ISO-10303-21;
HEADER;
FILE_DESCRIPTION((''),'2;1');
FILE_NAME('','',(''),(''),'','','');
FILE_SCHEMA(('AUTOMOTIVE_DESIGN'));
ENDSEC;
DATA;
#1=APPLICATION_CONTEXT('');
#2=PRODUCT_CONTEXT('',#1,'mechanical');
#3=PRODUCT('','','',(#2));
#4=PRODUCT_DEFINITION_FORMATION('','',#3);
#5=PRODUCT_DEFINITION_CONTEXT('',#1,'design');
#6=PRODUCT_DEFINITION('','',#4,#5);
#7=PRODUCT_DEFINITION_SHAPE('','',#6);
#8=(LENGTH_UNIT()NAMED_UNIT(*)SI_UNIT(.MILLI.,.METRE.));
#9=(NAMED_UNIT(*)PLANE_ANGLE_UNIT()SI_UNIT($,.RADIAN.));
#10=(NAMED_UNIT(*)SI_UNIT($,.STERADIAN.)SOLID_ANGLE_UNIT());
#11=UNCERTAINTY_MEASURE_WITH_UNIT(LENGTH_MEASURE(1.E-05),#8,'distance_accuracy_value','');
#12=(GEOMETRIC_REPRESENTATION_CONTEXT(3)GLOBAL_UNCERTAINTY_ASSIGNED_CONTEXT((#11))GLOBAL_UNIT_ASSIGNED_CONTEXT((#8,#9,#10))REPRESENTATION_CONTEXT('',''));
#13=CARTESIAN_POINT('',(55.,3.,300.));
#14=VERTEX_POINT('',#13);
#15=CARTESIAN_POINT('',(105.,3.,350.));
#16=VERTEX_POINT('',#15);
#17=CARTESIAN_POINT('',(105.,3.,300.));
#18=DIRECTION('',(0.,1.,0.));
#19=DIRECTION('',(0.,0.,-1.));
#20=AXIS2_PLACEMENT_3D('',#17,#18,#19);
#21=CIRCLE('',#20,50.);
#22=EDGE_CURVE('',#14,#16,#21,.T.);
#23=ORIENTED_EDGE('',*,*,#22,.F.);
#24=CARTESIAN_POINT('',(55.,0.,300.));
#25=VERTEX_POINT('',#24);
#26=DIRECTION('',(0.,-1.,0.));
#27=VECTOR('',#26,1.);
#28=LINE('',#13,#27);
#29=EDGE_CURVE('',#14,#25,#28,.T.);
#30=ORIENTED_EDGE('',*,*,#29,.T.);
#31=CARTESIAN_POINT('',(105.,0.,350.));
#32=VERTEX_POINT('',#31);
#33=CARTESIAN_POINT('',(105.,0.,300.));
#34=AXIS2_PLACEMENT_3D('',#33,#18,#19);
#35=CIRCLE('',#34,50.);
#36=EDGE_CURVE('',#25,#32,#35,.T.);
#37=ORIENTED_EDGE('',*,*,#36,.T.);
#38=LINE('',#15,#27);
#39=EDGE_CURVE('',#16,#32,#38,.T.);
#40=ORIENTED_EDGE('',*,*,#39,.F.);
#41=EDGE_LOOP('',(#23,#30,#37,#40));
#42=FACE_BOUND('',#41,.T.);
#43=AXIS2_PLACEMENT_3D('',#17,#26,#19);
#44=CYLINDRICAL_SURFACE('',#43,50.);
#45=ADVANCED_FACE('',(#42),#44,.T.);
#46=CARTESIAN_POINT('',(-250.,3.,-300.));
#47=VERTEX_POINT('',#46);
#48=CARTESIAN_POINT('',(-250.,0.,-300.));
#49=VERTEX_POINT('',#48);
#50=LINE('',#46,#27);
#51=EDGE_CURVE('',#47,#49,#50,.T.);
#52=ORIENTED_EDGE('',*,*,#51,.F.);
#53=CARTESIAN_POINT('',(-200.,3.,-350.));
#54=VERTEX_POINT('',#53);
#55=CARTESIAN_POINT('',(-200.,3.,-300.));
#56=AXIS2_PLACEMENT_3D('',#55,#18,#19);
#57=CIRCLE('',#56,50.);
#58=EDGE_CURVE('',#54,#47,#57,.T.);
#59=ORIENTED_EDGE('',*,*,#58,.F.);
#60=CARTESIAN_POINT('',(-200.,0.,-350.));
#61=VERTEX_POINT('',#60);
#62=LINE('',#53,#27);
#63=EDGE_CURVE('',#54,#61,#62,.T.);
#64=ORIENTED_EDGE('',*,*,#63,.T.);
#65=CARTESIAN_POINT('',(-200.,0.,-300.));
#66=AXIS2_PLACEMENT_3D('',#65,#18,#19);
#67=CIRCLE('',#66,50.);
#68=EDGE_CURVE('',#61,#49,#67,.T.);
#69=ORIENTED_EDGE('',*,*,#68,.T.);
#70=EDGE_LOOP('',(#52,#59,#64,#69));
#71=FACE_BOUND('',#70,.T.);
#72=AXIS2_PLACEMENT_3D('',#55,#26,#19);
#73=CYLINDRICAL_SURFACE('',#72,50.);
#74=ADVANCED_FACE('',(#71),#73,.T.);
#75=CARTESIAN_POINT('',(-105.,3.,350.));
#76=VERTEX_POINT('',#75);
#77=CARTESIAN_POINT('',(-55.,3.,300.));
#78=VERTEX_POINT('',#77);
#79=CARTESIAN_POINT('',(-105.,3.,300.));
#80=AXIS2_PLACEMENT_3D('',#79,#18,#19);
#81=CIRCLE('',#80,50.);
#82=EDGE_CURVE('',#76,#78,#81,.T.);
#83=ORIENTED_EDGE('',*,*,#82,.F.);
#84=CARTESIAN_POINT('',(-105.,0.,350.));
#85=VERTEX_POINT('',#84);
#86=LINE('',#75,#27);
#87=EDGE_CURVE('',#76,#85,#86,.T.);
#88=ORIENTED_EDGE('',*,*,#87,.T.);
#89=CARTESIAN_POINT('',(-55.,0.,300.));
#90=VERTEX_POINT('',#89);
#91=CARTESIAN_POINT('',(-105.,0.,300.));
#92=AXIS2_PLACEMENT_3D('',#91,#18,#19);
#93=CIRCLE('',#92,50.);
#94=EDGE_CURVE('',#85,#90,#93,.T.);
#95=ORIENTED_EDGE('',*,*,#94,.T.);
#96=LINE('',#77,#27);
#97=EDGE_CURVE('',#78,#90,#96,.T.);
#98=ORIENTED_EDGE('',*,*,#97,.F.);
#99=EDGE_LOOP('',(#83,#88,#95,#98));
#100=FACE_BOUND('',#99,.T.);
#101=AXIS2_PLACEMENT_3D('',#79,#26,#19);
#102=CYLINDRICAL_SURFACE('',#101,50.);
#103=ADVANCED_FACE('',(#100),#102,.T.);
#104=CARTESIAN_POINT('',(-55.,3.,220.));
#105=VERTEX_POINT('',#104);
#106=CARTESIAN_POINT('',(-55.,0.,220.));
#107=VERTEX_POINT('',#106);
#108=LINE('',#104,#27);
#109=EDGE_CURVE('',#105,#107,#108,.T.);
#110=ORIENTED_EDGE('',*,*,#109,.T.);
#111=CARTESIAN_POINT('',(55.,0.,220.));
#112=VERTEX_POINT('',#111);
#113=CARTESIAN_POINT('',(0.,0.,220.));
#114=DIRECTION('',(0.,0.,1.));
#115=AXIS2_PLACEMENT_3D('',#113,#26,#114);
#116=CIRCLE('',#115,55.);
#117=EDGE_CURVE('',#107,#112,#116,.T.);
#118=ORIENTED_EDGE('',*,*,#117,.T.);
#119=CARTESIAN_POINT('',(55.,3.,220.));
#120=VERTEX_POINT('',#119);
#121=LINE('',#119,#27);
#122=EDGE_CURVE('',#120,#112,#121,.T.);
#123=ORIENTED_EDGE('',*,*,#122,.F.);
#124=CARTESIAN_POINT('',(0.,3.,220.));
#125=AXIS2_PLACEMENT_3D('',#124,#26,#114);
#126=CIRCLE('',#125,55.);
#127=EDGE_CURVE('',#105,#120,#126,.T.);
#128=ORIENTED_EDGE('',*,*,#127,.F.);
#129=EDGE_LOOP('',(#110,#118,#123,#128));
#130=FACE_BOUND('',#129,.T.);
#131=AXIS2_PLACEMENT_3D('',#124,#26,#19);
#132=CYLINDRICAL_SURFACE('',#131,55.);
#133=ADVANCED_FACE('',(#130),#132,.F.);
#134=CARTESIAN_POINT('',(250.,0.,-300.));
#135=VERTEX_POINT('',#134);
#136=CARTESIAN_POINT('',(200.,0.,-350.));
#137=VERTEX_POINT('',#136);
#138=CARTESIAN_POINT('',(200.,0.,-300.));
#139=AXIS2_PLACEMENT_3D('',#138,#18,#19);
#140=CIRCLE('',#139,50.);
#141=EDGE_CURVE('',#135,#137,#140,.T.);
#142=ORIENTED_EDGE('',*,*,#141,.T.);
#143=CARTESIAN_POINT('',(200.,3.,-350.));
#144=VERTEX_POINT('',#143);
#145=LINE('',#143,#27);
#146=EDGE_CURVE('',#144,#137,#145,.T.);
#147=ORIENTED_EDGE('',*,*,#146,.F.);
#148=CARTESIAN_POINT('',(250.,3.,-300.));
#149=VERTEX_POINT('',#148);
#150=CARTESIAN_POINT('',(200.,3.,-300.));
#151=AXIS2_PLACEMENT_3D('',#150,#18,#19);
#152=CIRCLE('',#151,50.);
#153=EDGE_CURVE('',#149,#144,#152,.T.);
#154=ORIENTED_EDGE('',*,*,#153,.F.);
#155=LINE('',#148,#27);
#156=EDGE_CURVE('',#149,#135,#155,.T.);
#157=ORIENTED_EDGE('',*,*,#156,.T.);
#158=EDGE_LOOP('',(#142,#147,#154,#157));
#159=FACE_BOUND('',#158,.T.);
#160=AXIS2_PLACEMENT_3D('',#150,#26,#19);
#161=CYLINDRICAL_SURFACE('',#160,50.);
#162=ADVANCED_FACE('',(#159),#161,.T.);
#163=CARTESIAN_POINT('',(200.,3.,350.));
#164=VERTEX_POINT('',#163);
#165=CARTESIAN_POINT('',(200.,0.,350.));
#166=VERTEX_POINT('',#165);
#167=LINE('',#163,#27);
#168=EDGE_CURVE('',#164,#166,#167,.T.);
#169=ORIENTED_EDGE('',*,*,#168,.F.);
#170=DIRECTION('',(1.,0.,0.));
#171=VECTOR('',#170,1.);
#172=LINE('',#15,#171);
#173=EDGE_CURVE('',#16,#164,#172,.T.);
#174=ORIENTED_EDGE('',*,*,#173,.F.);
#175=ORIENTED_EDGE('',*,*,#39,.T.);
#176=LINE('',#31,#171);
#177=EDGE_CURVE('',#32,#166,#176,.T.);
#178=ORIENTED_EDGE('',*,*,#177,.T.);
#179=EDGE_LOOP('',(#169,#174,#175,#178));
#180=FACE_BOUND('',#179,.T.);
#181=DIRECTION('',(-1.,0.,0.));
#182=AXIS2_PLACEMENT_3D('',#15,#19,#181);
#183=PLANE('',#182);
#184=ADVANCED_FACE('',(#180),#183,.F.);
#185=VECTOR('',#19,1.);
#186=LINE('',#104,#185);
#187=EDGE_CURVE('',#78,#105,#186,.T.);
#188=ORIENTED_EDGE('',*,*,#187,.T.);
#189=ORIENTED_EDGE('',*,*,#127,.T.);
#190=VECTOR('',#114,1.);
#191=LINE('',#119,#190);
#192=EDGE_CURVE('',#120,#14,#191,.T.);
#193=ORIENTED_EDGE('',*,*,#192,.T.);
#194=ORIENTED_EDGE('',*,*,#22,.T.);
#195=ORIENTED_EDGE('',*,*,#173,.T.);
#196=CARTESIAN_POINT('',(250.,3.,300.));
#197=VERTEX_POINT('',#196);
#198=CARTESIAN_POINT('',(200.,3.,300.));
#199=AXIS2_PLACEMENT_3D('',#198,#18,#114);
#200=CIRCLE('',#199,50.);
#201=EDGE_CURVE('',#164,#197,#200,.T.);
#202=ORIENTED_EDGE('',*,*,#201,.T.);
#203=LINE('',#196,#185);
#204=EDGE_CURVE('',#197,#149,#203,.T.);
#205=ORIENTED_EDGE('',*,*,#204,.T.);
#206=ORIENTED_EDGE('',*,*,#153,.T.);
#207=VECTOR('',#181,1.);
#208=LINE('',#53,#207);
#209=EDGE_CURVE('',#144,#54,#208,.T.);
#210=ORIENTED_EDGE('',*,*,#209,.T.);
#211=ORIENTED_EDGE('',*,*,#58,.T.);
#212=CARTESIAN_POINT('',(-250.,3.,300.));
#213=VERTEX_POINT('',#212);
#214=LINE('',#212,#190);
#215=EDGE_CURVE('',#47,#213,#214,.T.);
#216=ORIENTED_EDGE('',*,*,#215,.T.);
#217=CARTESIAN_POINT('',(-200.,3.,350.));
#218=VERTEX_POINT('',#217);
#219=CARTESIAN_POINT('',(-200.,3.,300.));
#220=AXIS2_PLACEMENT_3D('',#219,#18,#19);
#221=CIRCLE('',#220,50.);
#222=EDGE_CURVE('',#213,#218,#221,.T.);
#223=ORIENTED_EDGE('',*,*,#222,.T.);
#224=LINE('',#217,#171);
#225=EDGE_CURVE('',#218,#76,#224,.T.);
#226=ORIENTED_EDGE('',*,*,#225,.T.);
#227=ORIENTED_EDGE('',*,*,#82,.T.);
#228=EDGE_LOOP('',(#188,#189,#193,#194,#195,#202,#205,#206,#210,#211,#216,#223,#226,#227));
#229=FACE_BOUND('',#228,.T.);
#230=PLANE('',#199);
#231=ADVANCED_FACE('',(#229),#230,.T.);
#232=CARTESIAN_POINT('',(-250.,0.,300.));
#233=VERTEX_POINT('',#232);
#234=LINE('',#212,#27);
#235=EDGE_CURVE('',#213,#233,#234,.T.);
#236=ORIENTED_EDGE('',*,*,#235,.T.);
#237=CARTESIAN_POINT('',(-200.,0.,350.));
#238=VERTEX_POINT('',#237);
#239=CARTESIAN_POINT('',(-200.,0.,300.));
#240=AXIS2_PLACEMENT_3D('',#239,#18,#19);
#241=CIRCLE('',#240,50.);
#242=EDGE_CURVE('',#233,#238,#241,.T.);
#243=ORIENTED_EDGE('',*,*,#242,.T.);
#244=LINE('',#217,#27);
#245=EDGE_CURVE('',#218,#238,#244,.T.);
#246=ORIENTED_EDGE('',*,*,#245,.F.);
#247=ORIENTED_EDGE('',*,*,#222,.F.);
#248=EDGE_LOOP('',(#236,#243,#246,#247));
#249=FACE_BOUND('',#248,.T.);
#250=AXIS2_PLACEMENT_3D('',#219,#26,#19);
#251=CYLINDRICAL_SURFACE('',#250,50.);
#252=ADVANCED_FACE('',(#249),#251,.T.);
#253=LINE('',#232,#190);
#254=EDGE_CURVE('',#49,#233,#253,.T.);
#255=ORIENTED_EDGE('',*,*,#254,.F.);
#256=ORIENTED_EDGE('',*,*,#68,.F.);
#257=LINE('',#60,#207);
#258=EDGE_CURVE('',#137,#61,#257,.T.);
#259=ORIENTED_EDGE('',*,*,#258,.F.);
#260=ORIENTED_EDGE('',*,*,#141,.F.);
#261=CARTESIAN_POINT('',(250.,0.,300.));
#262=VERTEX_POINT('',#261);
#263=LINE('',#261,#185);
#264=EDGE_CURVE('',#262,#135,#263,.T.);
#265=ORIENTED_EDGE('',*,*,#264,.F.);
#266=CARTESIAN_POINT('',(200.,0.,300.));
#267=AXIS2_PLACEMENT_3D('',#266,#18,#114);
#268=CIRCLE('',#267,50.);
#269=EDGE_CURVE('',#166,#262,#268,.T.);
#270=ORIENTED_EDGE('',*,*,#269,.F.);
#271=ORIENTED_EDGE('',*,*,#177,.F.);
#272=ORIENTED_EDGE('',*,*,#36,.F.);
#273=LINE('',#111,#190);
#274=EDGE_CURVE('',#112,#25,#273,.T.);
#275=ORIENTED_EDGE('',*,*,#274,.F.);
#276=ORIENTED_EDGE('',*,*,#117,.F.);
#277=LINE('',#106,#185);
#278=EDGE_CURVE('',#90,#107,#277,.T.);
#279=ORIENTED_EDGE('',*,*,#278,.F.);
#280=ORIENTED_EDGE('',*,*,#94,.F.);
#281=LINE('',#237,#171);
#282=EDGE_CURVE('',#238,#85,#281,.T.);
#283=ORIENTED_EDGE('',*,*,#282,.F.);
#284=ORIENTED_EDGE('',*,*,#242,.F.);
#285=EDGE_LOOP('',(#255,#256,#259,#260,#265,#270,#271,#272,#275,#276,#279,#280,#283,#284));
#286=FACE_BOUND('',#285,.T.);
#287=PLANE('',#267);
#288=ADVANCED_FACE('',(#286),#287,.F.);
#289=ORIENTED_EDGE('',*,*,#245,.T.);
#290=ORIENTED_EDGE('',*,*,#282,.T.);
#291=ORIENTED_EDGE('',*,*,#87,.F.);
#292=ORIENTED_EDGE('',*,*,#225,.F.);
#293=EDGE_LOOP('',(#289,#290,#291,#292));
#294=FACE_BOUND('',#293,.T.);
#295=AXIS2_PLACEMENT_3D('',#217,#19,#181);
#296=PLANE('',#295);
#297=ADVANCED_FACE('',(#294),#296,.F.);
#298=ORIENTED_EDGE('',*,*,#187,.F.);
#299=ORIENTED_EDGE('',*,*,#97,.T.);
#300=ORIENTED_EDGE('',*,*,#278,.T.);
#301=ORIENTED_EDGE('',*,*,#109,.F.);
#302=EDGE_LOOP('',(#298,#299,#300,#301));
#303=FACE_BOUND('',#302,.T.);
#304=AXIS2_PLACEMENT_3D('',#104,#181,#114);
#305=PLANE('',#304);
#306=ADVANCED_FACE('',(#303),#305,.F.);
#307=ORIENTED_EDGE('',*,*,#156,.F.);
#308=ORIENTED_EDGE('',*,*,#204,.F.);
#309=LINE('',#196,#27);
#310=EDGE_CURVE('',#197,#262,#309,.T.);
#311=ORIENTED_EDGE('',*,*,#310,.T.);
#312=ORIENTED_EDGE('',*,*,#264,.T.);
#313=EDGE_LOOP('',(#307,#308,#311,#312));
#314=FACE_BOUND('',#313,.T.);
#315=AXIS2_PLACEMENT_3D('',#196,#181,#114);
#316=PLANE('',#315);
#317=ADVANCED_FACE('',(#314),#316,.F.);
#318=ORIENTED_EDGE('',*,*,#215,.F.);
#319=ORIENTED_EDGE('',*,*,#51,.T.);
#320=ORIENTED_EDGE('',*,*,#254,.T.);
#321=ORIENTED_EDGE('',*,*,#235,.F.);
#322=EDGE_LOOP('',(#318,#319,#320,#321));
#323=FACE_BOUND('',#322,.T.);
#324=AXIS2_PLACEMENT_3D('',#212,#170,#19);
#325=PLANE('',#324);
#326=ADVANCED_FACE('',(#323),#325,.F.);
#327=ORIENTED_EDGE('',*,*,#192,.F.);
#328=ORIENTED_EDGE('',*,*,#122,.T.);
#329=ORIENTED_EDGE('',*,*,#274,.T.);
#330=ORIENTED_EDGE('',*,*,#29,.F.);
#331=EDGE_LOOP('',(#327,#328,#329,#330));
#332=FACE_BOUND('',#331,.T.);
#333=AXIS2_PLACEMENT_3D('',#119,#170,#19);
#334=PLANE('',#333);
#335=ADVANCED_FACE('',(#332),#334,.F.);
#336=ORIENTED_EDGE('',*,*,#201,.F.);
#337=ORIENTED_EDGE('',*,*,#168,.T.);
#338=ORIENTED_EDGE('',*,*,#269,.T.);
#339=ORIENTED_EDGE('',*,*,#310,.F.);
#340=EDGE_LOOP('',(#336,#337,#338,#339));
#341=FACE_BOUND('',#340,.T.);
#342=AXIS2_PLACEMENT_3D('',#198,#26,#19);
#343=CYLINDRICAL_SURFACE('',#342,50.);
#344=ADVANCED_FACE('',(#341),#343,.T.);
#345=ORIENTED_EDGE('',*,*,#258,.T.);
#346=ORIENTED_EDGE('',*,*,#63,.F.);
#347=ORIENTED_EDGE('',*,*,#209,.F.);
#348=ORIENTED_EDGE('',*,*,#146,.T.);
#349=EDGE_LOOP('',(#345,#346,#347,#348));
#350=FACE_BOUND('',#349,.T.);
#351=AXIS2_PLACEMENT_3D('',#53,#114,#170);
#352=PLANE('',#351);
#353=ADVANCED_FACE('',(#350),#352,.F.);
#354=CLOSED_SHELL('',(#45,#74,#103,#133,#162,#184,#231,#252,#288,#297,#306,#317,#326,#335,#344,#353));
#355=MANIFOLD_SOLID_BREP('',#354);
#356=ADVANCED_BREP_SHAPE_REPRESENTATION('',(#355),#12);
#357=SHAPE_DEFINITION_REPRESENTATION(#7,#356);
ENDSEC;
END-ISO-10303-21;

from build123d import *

# Parameters (mm, degrees)
EXTRUDE_1_DEPTH = 3


with BuildPart() as part:
    # 草图1 → 凸台-拉伸1 (new body)
    with BuildSketch(Plane(origin=(0, 0, 0), x_dir=(1, 0, 0), z_dir=(0, 1, 0))):
        with BuildLine():
            Line((-55, -220), (-55, -300))
            ThreePointArc((-55, -300), (-69.644660941, -335.355339059), (-105, -350))
            Line((-105, -350), (-200, -350))
            ThreePointArc((-200, -350), (-235.355339059, -335.355339059), (-250, -300))
            Line((-250, -300), (-250, 300))
            ThreePointArc((-250, 300), (-235.355339059, 335.355339059), (-200, 350))
            Line((-200, 350), (200, 350))
            ThreePointArc((200, 350), (235.355339059, 335.355339059), (250, 300))
            Line((250, 300), (250, -300))
            ThreePointArc((250, -300), (235.355339059, -335.355339059), (200, -350))
            Line((200, -350), (105, -350))
            ThreePointArc((105, -350), (69.644660941, -335.355339059), (55, -300))
            Line((55, -300), (55, -220))
            ThreePointArc((55, -220), (0, -165), (-55, -220))
        make_face()
    extrude(amount=EXTRUDE_1_DEPTH)


solid = part.part
